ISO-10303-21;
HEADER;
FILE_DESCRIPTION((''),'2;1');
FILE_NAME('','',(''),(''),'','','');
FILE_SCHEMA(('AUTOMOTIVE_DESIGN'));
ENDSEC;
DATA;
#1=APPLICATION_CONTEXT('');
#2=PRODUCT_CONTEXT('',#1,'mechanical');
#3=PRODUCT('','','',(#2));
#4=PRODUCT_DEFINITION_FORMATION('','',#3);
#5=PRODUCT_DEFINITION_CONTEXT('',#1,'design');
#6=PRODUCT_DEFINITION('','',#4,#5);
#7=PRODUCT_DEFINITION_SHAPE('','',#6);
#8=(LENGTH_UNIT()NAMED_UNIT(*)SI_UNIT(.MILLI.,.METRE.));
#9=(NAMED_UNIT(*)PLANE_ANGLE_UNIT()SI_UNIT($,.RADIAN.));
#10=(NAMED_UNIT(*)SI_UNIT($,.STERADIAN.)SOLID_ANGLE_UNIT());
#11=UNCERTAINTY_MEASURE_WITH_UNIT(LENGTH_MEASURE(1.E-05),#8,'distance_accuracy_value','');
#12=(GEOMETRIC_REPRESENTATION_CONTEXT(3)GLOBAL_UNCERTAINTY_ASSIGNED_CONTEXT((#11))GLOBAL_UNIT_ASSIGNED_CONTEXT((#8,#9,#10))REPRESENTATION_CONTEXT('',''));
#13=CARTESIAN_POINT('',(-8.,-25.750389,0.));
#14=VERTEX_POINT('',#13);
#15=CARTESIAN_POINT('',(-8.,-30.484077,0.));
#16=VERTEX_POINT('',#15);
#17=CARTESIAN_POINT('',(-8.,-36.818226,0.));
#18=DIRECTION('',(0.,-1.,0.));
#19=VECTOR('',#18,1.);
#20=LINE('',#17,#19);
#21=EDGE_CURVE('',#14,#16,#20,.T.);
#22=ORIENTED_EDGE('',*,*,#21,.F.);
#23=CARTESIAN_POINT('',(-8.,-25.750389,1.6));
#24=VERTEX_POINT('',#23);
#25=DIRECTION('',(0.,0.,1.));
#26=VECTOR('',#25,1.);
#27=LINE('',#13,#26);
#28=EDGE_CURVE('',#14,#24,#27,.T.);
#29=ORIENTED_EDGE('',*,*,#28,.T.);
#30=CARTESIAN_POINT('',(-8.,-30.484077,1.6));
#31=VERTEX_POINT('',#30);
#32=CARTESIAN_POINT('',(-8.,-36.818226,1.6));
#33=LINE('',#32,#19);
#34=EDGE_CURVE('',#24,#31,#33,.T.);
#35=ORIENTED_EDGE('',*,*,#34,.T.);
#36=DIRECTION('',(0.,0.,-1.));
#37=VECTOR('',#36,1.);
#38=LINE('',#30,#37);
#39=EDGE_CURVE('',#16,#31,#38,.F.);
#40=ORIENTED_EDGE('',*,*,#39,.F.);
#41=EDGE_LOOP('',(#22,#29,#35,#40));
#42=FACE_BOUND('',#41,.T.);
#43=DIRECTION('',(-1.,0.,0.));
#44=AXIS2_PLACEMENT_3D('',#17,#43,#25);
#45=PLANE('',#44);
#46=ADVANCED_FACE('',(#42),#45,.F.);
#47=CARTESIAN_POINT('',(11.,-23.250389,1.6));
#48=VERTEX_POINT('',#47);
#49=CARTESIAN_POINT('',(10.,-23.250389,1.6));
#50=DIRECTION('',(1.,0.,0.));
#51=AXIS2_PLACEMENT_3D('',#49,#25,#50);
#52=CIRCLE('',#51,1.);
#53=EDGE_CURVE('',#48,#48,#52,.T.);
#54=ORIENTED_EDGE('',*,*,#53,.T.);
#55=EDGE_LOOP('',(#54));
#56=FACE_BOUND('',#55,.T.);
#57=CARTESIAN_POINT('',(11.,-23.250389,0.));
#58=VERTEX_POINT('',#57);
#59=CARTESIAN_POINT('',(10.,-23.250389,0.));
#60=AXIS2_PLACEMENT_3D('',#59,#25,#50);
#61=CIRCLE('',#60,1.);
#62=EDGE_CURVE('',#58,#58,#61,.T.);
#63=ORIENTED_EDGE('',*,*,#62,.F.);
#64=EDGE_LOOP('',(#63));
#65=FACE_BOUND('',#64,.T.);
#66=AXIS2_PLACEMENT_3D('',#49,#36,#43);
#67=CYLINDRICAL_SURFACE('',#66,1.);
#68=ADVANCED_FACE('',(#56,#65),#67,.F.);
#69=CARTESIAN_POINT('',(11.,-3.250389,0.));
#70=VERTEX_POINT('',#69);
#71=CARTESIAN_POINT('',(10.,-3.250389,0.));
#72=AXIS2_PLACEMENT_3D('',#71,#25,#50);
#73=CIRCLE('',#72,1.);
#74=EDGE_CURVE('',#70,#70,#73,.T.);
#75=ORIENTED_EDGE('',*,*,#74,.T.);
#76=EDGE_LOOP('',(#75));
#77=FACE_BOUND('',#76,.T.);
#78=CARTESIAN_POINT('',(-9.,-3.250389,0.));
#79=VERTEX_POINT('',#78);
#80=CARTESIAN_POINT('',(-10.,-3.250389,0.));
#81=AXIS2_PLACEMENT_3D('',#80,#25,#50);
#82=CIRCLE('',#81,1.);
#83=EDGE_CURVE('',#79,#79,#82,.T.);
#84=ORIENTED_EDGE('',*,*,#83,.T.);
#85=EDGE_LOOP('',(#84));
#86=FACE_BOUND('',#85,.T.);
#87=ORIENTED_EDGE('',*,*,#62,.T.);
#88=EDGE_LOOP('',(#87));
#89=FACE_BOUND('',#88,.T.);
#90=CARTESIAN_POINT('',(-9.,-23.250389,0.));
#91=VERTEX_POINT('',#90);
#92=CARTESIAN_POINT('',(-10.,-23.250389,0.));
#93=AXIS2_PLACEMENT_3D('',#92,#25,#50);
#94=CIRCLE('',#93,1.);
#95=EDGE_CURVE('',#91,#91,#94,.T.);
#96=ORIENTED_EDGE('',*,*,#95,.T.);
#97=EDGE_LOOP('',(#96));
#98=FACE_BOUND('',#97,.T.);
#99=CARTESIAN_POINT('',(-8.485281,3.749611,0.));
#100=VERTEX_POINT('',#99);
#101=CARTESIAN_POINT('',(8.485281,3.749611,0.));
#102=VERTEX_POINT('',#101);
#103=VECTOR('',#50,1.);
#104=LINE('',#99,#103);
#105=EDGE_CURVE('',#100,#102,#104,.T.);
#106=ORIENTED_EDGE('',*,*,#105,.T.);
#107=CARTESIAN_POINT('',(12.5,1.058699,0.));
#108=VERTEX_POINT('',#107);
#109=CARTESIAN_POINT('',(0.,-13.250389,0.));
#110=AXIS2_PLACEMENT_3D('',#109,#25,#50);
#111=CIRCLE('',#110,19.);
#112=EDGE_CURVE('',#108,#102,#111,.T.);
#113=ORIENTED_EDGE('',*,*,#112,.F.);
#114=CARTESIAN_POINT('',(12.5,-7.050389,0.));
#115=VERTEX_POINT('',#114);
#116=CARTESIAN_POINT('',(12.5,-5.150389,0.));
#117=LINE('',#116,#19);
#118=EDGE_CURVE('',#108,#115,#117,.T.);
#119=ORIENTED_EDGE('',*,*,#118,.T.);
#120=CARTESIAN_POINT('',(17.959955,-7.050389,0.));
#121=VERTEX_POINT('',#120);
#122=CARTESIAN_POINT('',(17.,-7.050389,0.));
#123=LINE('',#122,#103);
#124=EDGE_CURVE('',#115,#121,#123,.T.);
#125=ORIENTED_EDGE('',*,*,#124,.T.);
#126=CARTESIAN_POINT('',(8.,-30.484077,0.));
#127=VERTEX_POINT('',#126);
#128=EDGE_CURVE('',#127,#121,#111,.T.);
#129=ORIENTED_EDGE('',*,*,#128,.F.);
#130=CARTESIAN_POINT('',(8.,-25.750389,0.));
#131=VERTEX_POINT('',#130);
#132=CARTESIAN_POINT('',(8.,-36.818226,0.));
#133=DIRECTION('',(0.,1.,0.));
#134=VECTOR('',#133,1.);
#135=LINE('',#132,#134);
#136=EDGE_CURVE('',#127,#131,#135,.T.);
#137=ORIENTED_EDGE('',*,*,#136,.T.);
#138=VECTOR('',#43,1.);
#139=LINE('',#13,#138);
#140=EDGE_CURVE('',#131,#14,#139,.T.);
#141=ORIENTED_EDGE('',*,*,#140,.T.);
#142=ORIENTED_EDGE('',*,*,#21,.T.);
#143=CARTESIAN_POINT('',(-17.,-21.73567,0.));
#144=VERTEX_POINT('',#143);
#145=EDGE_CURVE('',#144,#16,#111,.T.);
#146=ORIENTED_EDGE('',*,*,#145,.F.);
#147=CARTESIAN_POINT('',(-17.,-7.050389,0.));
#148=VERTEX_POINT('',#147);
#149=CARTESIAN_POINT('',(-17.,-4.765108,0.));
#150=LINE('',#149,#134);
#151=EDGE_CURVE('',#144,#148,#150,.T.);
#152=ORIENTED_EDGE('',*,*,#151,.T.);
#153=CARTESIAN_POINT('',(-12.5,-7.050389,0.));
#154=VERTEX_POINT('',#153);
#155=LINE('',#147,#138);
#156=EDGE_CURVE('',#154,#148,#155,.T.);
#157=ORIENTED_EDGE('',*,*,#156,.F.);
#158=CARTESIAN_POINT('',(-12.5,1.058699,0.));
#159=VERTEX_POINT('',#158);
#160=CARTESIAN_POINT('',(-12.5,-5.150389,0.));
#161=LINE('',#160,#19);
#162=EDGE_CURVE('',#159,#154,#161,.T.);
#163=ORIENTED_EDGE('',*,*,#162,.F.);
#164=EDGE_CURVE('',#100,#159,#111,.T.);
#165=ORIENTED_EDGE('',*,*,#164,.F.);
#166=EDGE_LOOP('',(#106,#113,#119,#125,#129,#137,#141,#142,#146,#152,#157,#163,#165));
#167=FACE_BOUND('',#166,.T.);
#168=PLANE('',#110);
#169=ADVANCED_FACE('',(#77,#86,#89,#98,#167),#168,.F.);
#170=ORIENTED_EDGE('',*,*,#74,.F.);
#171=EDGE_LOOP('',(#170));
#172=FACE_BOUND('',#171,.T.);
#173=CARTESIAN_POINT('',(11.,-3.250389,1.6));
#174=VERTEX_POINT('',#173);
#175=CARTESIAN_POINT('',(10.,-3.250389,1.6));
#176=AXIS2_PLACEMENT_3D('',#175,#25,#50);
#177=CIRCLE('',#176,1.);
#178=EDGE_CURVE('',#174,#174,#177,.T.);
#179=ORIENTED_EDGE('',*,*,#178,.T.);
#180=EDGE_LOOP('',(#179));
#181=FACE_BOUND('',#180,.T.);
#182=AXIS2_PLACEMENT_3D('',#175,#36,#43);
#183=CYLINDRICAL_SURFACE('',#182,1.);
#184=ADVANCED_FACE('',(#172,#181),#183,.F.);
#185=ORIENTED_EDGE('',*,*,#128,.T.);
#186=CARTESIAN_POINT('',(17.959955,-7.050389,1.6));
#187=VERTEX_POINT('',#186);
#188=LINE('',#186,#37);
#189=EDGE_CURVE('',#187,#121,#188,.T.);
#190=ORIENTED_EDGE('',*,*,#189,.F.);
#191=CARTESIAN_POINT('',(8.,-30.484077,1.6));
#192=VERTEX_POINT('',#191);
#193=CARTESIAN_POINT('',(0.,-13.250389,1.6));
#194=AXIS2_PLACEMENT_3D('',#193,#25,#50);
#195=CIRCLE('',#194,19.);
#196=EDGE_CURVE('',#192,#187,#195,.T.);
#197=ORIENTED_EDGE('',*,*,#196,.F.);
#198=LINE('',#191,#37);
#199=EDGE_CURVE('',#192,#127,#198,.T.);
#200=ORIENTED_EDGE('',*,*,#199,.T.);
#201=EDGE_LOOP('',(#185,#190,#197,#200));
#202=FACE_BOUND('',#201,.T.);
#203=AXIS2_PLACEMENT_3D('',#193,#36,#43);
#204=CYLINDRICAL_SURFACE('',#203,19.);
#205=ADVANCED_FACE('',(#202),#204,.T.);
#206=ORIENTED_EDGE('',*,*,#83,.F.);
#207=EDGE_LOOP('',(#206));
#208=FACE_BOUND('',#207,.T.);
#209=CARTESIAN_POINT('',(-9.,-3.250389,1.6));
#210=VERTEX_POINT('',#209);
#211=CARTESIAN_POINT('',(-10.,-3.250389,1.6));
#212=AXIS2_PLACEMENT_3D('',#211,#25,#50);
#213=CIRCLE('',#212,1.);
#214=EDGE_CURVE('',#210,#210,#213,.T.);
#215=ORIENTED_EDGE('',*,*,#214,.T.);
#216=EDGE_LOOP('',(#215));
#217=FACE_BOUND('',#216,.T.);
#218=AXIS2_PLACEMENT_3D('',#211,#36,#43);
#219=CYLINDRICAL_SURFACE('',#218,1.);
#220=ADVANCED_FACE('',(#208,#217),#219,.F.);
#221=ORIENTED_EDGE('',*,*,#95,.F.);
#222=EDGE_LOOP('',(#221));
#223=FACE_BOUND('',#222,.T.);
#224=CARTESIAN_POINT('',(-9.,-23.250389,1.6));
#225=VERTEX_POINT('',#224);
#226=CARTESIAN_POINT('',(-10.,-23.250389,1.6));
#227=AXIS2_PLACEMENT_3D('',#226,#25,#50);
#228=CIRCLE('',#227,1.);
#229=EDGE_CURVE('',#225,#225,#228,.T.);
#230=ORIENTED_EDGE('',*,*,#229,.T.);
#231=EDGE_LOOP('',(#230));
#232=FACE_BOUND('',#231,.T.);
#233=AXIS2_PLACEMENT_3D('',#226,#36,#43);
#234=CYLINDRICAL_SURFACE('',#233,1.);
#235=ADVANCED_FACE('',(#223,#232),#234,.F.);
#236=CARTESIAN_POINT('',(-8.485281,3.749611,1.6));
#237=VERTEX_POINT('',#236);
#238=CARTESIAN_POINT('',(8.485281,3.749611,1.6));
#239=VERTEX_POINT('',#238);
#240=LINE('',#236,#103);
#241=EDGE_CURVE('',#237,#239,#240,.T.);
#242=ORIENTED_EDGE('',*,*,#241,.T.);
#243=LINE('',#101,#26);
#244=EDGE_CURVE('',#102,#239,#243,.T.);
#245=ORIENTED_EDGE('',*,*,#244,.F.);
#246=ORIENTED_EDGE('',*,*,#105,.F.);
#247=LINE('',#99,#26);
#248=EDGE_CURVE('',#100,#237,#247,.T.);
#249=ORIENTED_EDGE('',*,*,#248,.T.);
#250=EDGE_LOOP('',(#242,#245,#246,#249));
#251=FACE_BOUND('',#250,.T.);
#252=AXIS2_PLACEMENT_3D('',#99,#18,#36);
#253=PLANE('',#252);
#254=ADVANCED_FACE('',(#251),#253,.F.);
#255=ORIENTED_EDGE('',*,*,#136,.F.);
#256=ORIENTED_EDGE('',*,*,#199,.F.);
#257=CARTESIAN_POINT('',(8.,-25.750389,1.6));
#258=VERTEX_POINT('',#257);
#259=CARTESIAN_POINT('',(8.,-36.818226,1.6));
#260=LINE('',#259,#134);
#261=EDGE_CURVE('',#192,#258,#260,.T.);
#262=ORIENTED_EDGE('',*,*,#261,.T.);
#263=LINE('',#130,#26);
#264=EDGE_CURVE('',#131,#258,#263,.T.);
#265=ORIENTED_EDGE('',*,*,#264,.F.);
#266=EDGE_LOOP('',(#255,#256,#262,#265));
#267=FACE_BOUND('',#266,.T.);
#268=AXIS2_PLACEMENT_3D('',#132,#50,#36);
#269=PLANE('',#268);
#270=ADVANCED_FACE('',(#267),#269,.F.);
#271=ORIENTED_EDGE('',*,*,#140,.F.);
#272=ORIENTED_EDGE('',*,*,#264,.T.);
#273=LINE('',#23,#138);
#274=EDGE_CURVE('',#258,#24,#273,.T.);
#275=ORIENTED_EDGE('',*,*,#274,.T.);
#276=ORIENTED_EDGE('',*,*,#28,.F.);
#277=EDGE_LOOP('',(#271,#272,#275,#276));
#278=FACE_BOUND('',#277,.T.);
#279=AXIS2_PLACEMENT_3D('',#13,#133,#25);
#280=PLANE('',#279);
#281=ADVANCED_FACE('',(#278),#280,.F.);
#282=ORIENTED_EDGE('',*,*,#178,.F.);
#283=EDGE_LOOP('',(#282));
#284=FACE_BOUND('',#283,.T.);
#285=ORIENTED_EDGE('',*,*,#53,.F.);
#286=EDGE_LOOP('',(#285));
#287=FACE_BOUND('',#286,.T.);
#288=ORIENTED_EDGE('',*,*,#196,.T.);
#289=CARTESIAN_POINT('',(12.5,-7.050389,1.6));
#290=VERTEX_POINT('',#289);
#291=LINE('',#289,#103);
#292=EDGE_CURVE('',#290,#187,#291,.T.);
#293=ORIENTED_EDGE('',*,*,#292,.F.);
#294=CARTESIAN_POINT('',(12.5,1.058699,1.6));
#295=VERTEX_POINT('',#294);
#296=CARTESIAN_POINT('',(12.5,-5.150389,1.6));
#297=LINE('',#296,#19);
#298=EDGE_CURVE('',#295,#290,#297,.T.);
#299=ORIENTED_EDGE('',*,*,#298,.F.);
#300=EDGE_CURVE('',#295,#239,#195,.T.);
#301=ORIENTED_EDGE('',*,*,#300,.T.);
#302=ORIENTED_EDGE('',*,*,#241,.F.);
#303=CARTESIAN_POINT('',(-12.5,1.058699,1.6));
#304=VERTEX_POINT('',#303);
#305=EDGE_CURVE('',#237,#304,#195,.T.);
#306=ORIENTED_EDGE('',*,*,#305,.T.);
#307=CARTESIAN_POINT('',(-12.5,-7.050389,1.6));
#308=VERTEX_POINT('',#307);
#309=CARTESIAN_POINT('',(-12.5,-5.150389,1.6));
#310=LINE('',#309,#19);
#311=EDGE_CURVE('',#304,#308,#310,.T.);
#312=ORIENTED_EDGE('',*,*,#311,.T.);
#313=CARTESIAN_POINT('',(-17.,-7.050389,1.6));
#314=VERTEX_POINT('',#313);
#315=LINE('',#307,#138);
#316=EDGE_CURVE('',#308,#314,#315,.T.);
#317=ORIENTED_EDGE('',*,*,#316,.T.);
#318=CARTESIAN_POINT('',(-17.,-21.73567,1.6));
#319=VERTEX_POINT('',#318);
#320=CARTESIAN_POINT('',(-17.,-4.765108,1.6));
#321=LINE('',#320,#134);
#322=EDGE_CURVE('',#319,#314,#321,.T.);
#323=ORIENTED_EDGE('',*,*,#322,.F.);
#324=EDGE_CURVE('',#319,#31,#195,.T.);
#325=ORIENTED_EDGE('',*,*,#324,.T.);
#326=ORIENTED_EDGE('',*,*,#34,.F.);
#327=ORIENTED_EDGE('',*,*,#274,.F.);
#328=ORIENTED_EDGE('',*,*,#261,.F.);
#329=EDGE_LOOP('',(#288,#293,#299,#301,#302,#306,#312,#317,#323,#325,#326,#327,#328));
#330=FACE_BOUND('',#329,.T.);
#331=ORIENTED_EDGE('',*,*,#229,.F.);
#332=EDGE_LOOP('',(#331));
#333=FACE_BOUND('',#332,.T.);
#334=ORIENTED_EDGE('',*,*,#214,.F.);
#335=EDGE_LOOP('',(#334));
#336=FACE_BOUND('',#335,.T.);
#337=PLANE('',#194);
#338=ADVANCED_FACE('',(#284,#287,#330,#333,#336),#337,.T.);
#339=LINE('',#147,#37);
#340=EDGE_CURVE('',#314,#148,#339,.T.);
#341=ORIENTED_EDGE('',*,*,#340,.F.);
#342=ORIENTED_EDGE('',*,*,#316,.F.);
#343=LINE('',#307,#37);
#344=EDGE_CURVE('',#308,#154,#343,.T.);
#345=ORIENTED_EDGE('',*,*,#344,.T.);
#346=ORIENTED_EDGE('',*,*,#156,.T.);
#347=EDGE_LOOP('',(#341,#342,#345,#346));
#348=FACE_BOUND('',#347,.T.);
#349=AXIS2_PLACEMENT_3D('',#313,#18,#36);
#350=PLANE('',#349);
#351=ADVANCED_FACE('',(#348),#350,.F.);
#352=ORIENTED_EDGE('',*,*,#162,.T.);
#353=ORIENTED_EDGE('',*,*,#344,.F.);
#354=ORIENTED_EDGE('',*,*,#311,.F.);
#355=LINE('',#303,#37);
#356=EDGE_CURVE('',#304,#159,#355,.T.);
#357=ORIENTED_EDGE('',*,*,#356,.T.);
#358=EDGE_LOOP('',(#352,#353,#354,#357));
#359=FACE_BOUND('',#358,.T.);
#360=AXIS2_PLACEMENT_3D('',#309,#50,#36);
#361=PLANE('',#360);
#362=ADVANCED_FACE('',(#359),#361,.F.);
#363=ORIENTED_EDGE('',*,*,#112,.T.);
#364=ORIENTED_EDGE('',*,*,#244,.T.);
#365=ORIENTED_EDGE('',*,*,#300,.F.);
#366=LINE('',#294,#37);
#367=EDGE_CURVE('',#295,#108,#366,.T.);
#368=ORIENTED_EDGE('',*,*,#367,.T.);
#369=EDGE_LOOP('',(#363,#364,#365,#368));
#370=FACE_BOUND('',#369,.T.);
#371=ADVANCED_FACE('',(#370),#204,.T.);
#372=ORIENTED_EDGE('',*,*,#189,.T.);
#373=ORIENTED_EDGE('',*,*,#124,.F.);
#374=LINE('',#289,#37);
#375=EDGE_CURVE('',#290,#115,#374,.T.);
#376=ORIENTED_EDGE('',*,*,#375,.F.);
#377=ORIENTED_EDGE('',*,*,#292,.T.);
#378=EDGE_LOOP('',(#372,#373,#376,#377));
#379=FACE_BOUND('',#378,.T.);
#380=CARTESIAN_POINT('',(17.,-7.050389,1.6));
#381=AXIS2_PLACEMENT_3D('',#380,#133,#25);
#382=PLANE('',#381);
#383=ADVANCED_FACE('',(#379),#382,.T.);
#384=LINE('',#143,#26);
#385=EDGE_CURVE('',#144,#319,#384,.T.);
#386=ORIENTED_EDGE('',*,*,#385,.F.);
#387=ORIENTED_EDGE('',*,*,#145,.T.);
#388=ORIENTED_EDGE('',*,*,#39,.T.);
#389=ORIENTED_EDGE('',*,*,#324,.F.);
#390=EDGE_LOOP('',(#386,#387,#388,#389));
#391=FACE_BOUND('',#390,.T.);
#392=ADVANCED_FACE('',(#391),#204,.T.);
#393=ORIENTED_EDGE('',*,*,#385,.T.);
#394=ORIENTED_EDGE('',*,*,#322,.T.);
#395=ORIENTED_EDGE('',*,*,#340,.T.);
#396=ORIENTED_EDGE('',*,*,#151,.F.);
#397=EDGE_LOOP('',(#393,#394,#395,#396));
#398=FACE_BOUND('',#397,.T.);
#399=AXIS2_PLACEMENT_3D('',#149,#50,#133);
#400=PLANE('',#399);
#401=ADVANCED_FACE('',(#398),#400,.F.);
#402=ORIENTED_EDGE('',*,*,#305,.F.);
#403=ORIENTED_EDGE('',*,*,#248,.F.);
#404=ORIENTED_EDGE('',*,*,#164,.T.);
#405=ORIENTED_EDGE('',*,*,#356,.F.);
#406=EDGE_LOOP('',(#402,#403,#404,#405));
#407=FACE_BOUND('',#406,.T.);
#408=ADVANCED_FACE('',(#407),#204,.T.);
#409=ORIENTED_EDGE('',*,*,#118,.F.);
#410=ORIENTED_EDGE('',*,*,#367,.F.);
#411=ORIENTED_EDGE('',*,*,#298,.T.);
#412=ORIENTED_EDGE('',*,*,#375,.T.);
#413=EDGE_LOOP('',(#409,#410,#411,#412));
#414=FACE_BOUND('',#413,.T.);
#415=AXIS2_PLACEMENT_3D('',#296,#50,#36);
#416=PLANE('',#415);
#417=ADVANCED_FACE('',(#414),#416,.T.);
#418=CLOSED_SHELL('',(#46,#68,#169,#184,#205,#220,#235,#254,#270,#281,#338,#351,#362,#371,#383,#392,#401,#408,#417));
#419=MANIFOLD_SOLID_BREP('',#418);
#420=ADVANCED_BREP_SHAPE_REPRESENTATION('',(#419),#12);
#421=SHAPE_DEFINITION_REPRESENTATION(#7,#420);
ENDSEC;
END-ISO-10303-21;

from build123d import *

# Parameters (mm, degrees)
SKETCH1_R           = 19
SKETCH1_R_2         = 1
BOSS_EXTRUDE1_DEPTH = 1.6
SKETCH2_W           = 16.970562748
SKETCH2_H           = 3.563360777
SKETCH2_W_2         = 5.149879678
SKETCH2_H_2         = 16.970562749
CUT_EXTRUDE1_DEPTH  = 1.6
CUT_EXTRUDE2_DEPTH  = 1.6
SKETCH4_W           = 16
SKETCH4_H           = 11.067837439
CUT_EXTRUDE3_DEPTH  = 1.6


with BuildPart() as part:
    # Sketch1 → Boss-Extrude1 (new body)
    with BuildSketch(Plane.XY):
        with Locations((0, -13.250389013)):
            Circle(SKETCH1_R)
        with Locations((-10, -3.250389013)):
            Circle(SKETCH1_R_2, mode=Mode.SUBTRACT)
        with Locations((10, -3.250389013)):
            Circle(SKETCH1_R_2, mode=Mode.SUBTRACT)
        with Locations((10, -23.250389013)):
            Circle(SKETCH1_R_2, mode=Mode.SUBTRACT)
        with Locations((-10, -23.250389013)):
            Circle(SKETCH1_R_2, mode=Mode.SUBTRACT)
    extrude(amount=BOSS_EXTRUDE1_DEPTH)

    # Sketch2 → Cut-Extrude1 (cut)
    with BuildSketch(Plane.XY.offset(1.6)):
        with Locations((0, 5.531291376)):
            Rectangle(SKETCH2_W, SKETCH2_H)
        with Locations((-19.574939839, -13.250389013)):
            Rectangle(SKETCH2_W_2, SKETCH2_H_2)
    extrude(amount=-CUT_EXTRUDE1_DEPTH, mode=Mode.SUBTRACT)

    # Sketch3 → Cut-Extrude2 (cut)
    with BuildSketch(Plane(origin=(0, 0, 0), x_dir=(-1, 0, 0), z_dir=(0, 0, -1))):
        Polygon((12.5, -5.150389013), (12.5, -7.050389013), (17, -7.050389013), (24.21815824, -7.050389013), (24.21815824, 1.058699009), (18.989854596, 1.058699009), (12.5, 1.058699009), align=None)
    cut_extrude2 = extrude(amount=-CUT_EXTRUDE2_DEPTH, mode=Mode.SUBTRACT)

    # Mirror1: Cut-Extrude2 across plane
    add(cut_extrude2.mirror(Plane(origin=(0, 0, 0), x_dir=(0, 0, 1), z_dir=(1, 0, 0))), mode=Mode.SUBTRACT)

    # Sketch4 → Cut-Extrude3 (cut)
    with BuildSketch(Plane.XY.offset(1.6)):
        with Locations((0, -31.284307733)):
            Rectangle(SKETCH4_W, SKETCH4_H)
    extrude(amount=-CUT_EXTRUDE3_DEPTH, mode=Mode.SUBTRACT)


solid = part.part
